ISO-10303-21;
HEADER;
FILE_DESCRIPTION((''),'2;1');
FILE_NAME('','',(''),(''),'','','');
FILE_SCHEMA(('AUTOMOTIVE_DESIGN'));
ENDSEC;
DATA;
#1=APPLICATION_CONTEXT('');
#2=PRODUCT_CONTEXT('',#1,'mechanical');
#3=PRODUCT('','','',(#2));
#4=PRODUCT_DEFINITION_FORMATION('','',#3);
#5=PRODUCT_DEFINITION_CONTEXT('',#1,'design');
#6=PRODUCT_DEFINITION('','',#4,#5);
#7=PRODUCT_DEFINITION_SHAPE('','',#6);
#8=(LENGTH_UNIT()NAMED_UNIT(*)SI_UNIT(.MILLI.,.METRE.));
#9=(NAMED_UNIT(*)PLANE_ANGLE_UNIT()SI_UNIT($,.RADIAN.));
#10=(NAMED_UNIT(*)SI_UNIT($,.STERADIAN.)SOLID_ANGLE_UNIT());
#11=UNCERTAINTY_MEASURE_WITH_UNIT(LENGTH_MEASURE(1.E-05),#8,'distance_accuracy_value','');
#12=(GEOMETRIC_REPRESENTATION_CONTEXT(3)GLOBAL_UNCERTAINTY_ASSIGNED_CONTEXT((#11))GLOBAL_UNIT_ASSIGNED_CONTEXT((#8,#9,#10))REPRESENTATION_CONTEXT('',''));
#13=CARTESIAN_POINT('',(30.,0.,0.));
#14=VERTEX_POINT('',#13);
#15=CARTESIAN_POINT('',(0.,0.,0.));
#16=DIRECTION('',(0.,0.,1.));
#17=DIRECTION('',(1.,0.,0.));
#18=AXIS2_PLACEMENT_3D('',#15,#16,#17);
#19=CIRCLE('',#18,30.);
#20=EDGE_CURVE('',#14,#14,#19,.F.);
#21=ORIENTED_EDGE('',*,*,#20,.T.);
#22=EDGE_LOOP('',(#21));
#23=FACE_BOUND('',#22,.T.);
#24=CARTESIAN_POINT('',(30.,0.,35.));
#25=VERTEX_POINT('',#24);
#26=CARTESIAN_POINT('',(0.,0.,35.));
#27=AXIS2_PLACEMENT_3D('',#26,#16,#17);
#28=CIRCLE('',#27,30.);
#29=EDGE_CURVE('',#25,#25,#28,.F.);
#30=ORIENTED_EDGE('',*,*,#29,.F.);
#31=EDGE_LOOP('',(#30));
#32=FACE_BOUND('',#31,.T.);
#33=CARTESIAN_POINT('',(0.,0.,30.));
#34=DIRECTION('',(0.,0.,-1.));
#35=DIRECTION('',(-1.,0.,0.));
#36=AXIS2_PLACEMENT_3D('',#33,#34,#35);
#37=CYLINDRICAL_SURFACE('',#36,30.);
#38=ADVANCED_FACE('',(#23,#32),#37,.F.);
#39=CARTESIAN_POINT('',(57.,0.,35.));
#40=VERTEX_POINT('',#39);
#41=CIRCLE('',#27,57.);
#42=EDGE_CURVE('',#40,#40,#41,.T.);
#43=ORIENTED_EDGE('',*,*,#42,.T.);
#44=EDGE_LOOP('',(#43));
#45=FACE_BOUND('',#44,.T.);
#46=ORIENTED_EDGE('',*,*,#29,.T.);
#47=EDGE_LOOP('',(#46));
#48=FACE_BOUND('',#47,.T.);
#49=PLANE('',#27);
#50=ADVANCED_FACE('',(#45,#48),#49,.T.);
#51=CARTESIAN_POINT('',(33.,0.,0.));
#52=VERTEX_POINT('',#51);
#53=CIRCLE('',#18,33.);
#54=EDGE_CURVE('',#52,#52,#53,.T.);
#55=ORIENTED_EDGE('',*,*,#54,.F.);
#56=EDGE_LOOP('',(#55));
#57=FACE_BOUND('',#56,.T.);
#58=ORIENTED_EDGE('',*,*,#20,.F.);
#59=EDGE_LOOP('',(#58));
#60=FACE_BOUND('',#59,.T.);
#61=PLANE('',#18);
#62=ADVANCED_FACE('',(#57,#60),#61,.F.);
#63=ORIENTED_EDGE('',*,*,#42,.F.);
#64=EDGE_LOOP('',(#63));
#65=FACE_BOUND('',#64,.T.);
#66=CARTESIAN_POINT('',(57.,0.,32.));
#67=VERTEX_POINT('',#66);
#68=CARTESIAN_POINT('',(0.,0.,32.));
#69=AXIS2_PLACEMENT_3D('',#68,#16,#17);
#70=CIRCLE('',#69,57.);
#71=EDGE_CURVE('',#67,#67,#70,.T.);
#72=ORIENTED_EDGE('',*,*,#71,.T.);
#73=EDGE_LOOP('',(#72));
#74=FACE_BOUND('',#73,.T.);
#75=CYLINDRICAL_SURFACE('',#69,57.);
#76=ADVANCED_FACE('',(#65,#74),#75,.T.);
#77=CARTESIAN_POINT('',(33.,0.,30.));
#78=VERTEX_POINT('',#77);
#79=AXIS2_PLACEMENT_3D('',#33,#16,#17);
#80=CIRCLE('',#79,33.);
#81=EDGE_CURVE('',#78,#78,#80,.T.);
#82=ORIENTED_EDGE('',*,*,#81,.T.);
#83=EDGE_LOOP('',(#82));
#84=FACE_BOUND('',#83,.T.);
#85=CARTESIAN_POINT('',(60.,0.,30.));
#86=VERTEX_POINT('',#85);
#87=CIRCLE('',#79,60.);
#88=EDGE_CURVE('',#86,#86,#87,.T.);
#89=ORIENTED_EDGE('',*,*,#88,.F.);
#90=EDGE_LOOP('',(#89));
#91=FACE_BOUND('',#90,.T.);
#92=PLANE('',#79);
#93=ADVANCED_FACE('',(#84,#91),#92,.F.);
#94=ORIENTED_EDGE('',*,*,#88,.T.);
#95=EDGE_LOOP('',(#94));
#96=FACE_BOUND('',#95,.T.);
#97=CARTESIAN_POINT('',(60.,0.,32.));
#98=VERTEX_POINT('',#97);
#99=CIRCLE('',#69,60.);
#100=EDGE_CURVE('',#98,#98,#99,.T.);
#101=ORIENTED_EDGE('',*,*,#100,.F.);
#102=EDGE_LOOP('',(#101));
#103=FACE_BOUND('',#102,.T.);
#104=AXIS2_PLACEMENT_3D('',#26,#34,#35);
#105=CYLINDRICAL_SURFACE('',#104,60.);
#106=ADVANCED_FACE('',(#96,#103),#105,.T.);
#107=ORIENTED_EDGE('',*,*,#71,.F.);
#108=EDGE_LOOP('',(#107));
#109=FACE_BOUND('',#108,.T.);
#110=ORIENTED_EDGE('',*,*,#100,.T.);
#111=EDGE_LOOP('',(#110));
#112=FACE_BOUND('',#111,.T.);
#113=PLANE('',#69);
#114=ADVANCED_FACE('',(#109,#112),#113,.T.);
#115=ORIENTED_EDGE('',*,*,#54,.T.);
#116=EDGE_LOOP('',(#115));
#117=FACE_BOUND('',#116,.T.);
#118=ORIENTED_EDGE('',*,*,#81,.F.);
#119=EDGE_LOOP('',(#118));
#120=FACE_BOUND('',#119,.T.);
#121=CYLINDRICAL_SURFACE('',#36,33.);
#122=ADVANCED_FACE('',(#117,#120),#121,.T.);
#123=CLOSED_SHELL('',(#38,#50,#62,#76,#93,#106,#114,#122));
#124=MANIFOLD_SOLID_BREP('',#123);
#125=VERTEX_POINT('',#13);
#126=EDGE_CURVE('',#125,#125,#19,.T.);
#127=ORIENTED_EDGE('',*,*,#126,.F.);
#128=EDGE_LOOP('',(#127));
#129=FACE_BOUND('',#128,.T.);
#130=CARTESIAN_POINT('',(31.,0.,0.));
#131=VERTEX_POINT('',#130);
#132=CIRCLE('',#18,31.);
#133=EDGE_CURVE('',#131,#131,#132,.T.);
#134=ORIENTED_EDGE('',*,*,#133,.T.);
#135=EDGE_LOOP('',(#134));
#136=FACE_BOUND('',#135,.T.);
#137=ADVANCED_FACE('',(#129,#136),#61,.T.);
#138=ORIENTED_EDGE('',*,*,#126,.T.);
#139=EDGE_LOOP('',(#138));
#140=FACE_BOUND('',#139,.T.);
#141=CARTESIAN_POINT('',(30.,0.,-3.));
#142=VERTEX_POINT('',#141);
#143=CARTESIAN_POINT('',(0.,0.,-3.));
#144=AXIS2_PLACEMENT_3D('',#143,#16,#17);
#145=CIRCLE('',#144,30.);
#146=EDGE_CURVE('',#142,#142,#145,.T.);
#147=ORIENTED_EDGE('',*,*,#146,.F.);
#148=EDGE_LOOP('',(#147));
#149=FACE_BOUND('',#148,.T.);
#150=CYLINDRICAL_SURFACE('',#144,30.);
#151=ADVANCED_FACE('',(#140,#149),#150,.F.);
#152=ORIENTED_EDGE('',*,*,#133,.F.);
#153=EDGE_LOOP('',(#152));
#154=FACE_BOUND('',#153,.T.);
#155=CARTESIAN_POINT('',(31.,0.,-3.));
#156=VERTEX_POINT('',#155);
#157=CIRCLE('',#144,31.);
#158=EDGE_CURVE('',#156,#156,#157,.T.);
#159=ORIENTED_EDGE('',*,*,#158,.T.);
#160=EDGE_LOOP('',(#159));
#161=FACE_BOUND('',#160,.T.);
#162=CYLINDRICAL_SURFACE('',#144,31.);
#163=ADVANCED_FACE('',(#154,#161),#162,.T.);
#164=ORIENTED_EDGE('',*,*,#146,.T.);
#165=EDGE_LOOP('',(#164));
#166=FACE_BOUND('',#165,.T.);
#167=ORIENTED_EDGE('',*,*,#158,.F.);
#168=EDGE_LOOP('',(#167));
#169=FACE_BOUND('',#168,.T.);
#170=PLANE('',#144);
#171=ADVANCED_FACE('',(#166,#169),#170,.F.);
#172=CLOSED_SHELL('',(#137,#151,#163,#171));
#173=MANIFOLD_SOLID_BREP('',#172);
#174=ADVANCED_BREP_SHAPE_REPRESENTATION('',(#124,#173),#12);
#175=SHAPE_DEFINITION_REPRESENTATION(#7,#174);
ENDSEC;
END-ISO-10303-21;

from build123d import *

# Parameters (mm, degrees)
SKETCH_1_R          = 31
SKETCH_1_R_2        = 30
EXTRUDE_1_DEPTH     = 3
SKETCH_2_R          = 33
SKETCH_2_R_2        = 30
EXTRUDE_3_DEPTH     = 30
EXTRUDE_START       = 5
SKETCH_4_R          = 60
SKETCH_4_R_2        = 33
SKETCH_4_R_3        = 30
EXTRUDE_4_DEPTH     = 5
SKETCH_5_R          = 60
SKETCH_5_R_2        = 57
CUT_EXTRUDE_1_DEPTH = 3


with BuildPart() as part:
    # 스케치1 → 보스-돌출1 (new body)
    with BuildSketch(Plane.XY):
        Circle(SKETCH_1_R)
        Circle(SKETCH_1_R_2, mode=Mode.SUBTRACT)
    extrude(amount=-EXTRUDE_1_DEPTH)


with BuildPart() as body_2:
    # 스케치2 → 보스-돌출3 (new body)
    with BuildSketch(Plane.XY):
        Circle(SKETCH_2_R)
        Circle(SKETCH_2_R_2, mode=Mode.SUBTRACT)
    extrude(amount=EXTRUDE_3_DEPTH)

    # 스케치4 → 보스-돌출4 (add)
    # profile 1 of 2: a face of its own
    with BuildSketch(Plane.XY.offset(30).offset(EXTRUDE_START)):
        Circle(SKETCH_4_R)
        Circle(SKETCH_4_R_2, mode=Mode.SUBTRACT)
    # profile 2 of 2: a face of its own
    with BuildSketch(Plane.XY.offset(30).offset(EXTRUDE_START)):
        Circle(SKETCH_4_R_2)
        Circle(SKETCH_4_R_3, mode=Mode.SUBTRACT)
    extrude(amount=-EXTRUDE_4_DEPTH)

    # 스케치5 → 컷-돌출1 (cut)
    with BuildSketch(Plane.XY.offset(35)):
        Circle(SKETCH_5_R)
        Circle(SKETCH_5_R_2, mode=Mode.SUBTRACT)
    extrude(amount=-CUT_EXTRUDE_1_DEPTH, mode=Mode.SUBTRACT)


solid = Compound([part.part, body_2.part])
